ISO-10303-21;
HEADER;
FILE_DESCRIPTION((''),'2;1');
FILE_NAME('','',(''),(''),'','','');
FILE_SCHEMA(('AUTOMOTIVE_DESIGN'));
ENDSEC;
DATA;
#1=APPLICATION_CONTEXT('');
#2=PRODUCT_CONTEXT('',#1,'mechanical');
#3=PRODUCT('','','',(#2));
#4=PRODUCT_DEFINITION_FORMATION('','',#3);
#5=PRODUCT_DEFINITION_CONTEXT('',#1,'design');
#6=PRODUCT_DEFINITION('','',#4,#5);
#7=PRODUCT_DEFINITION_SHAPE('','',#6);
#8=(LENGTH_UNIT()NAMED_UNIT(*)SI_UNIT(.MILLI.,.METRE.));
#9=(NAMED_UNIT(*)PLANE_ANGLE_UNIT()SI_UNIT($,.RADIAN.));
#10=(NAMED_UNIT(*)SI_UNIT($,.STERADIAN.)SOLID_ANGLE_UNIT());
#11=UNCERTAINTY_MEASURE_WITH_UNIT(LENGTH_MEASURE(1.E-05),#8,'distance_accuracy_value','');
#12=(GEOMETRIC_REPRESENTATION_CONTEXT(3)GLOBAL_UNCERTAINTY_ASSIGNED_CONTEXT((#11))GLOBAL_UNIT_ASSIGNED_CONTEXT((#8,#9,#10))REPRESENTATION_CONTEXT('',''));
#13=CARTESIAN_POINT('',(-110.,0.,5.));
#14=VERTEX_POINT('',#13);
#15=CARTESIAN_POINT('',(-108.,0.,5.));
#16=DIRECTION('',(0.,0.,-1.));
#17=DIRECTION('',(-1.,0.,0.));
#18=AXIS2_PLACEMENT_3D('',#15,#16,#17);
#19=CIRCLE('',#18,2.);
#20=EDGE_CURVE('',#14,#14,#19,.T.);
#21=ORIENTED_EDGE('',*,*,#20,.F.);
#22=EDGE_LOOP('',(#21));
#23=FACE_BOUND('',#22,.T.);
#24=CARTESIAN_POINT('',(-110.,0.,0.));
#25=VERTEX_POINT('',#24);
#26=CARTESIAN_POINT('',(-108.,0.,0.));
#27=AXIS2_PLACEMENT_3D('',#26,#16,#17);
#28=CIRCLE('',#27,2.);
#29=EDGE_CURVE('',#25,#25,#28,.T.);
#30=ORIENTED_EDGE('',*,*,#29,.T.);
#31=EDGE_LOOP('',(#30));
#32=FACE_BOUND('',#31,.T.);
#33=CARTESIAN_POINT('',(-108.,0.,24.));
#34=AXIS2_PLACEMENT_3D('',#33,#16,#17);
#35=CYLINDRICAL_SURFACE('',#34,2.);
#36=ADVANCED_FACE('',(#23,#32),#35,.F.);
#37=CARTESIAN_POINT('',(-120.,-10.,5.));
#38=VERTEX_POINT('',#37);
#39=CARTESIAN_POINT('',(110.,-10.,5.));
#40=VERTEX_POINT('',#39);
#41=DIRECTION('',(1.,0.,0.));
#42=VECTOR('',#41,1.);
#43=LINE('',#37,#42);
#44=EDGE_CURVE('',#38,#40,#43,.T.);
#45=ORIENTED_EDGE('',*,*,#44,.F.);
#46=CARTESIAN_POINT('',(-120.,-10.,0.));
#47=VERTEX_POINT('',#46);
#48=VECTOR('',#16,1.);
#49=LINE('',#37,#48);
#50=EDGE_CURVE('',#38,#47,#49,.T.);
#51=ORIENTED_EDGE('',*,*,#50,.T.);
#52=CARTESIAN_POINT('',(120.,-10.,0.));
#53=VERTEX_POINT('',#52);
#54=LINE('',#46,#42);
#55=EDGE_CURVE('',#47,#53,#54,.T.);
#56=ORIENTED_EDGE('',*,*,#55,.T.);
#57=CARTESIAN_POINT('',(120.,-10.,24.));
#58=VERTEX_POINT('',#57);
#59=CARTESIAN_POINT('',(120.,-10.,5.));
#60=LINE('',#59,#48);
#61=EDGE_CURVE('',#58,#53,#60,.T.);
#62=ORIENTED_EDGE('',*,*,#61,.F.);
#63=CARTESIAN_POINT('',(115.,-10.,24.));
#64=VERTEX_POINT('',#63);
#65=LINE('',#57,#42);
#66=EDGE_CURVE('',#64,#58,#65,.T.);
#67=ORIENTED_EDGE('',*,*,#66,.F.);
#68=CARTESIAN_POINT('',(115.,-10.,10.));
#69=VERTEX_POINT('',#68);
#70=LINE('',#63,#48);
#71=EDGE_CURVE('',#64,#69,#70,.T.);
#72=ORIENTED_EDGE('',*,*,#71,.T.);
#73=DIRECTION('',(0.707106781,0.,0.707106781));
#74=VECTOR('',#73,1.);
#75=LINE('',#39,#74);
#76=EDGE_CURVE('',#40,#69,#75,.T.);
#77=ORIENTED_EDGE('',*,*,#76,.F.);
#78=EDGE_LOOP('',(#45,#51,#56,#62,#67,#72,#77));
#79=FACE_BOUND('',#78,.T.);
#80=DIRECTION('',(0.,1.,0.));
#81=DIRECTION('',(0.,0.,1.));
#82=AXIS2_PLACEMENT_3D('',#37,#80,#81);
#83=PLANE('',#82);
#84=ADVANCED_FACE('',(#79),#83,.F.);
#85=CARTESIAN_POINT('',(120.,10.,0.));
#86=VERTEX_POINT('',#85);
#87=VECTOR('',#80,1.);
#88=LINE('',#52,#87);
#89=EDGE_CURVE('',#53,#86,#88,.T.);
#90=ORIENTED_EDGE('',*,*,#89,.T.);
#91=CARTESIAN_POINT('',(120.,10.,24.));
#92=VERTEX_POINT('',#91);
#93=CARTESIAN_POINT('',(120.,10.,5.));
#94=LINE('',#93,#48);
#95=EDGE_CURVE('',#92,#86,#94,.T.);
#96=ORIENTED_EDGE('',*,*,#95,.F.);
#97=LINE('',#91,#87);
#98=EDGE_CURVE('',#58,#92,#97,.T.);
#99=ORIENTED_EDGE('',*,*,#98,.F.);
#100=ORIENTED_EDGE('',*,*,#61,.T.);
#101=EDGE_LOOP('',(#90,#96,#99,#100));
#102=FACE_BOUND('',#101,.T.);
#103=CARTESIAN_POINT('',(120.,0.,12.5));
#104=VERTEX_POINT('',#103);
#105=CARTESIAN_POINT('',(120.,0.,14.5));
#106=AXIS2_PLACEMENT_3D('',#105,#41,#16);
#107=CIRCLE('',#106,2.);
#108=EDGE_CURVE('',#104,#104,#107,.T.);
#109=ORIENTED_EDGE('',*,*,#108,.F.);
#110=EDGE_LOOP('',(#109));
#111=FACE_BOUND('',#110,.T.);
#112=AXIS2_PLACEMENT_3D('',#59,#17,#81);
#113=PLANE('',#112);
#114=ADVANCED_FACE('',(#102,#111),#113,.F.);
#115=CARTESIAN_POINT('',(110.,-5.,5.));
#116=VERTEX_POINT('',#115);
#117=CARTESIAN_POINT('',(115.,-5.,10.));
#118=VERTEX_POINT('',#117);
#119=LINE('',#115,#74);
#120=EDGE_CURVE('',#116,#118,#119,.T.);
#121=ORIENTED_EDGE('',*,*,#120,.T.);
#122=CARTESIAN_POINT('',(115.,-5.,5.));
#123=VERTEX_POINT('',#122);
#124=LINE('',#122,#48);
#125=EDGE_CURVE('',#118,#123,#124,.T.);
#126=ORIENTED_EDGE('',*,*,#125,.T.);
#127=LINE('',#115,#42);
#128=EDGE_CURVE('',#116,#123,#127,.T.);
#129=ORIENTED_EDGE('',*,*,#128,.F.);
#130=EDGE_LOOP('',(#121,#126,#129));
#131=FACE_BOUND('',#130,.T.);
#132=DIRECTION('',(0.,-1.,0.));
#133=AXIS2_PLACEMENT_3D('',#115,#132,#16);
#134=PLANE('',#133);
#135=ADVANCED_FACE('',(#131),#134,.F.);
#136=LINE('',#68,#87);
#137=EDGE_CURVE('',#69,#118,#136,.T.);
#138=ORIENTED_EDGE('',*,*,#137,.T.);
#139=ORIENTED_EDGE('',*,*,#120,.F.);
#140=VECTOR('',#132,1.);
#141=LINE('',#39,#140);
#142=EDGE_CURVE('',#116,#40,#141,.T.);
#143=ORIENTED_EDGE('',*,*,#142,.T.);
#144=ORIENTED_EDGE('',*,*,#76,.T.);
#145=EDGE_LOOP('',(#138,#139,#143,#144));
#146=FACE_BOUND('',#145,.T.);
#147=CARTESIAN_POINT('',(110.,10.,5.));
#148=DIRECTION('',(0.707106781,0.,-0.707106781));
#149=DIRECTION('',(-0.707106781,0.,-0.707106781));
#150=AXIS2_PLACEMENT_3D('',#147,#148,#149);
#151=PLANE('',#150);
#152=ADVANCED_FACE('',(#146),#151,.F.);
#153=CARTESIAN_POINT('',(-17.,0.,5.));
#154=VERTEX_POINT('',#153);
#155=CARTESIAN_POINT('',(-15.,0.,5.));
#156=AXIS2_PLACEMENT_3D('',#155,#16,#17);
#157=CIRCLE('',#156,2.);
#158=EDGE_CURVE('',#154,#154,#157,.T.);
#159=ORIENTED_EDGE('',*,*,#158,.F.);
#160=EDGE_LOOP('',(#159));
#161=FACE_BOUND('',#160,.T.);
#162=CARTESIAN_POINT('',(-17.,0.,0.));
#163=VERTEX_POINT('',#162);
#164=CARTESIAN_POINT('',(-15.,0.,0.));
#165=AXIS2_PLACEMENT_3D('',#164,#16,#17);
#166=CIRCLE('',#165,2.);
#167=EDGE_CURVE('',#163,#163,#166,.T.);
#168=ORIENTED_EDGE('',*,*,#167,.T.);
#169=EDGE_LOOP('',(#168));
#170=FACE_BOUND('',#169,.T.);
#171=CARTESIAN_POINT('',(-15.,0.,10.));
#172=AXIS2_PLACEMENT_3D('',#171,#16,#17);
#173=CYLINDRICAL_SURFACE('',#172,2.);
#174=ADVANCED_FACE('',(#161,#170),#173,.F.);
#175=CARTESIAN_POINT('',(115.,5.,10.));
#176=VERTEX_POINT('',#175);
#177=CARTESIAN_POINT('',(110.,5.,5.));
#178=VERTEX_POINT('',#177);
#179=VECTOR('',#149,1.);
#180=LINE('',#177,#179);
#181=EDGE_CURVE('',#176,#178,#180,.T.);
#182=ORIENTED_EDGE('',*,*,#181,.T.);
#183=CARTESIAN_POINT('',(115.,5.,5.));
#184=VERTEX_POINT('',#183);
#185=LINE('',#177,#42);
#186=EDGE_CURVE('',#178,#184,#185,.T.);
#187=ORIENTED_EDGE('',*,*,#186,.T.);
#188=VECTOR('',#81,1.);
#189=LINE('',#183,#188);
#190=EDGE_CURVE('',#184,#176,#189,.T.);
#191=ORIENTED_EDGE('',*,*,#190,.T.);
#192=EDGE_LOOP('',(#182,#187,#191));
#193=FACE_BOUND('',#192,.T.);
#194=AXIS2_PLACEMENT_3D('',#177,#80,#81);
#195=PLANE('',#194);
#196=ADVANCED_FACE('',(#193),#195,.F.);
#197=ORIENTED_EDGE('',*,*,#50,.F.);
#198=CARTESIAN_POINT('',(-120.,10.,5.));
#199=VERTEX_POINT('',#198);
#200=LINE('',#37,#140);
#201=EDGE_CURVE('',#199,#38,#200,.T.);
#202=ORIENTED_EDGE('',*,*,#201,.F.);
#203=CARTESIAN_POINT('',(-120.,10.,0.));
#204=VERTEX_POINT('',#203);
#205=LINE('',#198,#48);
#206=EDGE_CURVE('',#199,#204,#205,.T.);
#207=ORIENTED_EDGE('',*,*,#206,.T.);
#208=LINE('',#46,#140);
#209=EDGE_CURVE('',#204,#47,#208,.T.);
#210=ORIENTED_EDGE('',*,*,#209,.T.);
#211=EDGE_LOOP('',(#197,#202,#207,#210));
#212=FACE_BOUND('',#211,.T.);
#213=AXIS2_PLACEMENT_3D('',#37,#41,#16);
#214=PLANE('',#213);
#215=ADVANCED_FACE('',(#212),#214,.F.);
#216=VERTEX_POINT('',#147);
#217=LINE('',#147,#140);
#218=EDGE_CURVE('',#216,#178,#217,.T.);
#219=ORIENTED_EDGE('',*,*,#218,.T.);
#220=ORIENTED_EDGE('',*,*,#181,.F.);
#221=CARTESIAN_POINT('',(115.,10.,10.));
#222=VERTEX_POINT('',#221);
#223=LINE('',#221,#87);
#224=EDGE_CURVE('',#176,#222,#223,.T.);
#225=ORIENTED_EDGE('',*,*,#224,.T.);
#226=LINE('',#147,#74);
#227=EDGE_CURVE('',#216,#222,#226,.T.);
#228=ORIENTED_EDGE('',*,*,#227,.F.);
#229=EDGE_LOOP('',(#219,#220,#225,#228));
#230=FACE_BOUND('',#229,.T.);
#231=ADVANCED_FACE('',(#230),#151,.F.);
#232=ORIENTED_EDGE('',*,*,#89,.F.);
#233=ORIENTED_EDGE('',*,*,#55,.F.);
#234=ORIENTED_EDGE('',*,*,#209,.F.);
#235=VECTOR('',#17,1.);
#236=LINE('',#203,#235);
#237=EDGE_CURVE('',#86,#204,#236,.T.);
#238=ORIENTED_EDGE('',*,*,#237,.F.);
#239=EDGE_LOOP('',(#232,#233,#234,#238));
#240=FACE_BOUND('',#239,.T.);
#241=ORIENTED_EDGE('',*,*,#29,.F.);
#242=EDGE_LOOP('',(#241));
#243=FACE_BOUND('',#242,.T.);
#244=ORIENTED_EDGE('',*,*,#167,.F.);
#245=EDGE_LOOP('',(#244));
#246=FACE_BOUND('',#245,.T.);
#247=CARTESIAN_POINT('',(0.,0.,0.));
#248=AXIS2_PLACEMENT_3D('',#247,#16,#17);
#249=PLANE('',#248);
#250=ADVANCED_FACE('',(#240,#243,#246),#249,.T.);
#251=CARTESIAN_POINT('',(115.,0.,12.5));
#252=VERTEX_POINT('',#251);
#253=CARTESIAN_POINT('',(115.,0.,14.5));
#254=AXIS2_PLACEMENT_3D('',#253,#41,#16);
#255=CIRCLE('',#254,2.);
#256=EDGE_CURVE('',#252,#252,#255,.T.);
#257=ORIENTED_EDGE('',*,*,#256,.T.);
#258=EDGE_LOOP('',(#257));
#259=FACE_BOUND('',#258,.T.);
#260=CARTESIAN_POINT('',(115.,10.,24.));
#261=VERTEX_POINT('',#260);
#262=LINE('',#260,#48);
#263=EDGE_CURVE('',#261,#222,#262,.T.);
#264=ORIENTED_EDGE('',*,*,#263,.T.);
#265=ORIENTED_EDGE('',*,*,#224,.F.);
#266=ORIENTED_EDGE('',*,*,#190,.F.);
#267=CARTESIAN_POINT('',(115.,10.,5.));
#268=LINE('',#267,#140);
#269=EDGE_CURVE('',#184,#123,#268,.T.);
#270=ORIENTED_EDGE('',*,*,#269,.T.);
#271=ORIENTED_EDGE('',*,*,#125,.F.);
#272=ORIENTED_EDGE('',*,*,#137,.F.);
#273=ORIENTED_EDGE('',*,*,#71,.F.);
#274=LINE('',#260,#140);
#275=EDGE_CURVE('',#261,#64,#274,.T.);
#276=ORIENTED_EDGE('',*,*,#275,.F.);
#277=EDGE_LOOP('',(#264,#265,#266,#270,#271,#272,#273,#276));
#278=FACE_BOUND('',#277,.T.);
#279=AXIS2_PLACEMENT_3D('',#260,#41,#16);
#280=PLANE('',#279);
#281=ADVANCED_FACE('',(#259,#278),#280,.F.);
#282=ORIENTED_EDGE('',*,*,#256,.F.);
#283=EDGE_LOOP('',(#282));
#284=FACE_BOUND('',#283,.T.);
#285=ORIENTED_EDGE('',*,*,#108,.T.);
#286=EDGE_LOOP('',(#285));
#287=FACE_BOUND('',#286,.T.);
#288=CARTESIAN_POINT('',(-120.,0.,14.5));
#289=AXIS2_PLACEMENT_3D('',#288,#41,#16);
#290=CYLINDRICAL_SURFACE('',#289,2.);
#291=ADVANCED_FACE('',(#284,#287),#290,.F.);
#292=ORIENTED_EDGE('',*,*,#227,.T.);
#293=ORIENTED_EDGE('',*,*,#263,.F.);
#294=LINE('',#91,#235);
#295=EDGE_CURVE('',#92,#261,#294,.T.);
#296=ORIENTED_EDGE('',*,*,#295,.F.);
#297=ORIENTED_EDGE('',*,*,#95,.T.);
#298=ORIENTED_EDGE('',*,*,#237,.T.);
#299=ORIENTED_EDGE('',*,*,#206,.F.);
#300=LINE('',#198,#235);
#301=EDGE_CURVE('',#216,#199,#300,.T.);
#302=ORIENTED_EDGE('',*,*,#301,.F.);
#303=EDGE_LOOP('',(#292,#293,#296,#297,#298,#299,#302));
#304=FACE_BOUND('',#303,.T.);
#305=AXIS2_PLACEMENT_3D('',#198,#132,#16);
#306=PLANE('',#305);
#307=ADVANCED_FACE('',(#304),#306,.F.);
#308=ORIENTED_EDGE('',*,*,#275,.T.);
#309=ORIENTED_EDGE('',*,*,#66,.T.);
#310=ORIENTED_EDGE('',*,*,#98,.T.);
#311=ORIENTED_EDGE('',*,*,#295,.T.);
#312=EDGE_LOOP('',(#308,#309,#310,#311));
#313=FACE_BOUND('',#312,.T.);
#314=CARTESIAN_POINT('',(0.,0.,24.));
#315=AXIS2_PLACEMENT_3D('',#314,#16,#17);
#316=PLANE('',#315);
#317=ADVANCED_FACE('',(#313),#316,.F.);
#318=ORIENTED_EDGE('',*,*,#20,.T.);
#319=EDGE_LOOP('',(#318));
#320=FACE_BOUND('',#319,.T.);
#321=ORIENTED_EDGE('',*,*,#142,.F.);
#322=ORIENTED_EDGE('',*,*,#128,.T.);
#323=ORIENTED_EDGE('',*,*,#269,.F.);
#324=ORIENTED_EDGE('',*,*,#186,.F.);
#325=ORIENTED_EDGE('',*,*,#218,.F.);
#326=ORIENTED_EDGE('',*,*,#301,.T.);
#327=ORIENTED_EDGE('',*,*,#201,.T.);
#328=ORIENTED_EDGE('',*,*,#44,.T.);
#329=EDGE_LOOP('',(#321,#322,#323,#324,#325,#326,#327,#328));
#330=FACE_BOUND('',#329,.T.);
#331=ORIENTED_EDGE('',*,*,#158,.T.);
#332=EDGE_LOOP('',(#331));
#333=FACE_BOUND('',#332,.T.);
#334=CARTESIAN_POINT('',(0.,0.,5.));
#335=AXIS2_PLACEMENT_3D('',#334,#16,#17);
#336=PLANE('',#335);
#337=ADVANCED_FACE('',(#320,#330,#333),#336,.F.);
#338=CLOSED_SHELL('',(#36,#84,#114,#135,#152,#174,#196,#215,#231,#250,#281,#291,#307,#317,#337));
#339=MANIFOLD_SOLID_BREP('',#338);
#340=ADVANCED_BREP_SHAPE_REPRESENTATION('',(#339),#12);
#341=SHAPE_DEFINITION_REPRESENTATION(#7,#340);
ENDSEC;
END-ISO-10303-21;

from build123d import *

# Parameters (mm, degrees)
SKETCH1_W           = 240
SKETCH1_H           = 20
BOSS_EXTRUDE1_DEPTH = 5
SKETCH2_W           = 5
SKETCH2_H           = 20
BOSS_EXTRUDE2_DEPTH = 19
SKETCH3_R           = 2
CUT_EXTRUDE1_DEPTH  = 242.404225315
SKETCH4_W           = 5
SKETCH4_H           = 5
BOSS_EXTRUDE3_DEPTH = 5
CUT_EXTRUDE2_DEPTH  = 125
SKETCH6_R           = 2
CUT_EXTRUDE3_DEPTH  = 123.784363825
SKETCH7_R           = 2
CUT_EXTRUDE4_DEPTH  = 10


with BuildPart() as part:
    # Sketch1 → Boss-Extrude1 (new body)
    with BuildSketch(Plane.XY):
        Rectangle(SKETCH1_W, SKETCH1_H)
    extrude(amount=BOSS_EXTRUDE1_DEPTH)

    # Sketch2 → Boss-Extrude2 (add)
    with BuildSketch(Plane.XY.offset(5)):
        with Locations((117.5, 0)):
            Rectangle(SKETCH2_W, SKETCH2_H)
    extrude(amount=BOSS_EXTRUDE2_DEPTH)

    # Sketch3 → Cut-Extrude1 (cut, through all)
    with BuildSketch(Plane(origin=(120, 0, 0), x_dir=(0, 0, -1), z_dir=(1, 0, 0))):
        with Locations((-14.5, 0)):
            Circle(SKETCH3_R)
    extrude(amount=-CUT_EXTRUDE1_DEPTH, mode=Mode.SUBTRACT)

    # Sketch4 → Boss-Extrude3 (add)
    with BuildSketch(Plane.ZY.offset(-115)):
        with Locations((7.5, -7.5)):
            Rectangle(SKETCH4_W, SKETCH4_H)
        with Locations((7.5, 7.5)):
            Rectangle(SKETCH4_W, SKETCH4_H)
    extrude(amount=BOSS_EXTRUDE3_DEPTH)

    # Sketch5 → Cut-Extrude2 (cut, through all)
    with BuildSketch(Plane.XZ.offset(10)):
        Polygon((110, 5), (115, 10), (110, 10), align=None)
    extrude(amount=-CUT_EXTRUDE2_DEPTH, mode=Mode.SUBTRACT)

    # Sketch6 → Cut-Extrude3 (cut, through all)
    with BuildSketch(Plane(origin=(0, 0, 0), x_dir=(-1, 0, 0), z_dir=(0, 0, -1))):
        with Locations((108, 0)):
            Circle(SKETCH6_R)
    extrude(amount=-CUT_EXTRUDE3_DEPTH, mode=Mode.SUBTRACT)

    # Sketch7 → Cut-Extrude4 (cut)
    with BuildSketch(Plane(origin=(0, 0, 0), x_dir=(-1, 0, 0), z_dir=(0, 0, -1))):
        with Locations((15, 0)):
            Circle(SKETCH7_R)
    extrude(amount=-CUT_EXTRUDE4_DEPTH, mode=Mode.SUBTRACT)


solid = part.part
